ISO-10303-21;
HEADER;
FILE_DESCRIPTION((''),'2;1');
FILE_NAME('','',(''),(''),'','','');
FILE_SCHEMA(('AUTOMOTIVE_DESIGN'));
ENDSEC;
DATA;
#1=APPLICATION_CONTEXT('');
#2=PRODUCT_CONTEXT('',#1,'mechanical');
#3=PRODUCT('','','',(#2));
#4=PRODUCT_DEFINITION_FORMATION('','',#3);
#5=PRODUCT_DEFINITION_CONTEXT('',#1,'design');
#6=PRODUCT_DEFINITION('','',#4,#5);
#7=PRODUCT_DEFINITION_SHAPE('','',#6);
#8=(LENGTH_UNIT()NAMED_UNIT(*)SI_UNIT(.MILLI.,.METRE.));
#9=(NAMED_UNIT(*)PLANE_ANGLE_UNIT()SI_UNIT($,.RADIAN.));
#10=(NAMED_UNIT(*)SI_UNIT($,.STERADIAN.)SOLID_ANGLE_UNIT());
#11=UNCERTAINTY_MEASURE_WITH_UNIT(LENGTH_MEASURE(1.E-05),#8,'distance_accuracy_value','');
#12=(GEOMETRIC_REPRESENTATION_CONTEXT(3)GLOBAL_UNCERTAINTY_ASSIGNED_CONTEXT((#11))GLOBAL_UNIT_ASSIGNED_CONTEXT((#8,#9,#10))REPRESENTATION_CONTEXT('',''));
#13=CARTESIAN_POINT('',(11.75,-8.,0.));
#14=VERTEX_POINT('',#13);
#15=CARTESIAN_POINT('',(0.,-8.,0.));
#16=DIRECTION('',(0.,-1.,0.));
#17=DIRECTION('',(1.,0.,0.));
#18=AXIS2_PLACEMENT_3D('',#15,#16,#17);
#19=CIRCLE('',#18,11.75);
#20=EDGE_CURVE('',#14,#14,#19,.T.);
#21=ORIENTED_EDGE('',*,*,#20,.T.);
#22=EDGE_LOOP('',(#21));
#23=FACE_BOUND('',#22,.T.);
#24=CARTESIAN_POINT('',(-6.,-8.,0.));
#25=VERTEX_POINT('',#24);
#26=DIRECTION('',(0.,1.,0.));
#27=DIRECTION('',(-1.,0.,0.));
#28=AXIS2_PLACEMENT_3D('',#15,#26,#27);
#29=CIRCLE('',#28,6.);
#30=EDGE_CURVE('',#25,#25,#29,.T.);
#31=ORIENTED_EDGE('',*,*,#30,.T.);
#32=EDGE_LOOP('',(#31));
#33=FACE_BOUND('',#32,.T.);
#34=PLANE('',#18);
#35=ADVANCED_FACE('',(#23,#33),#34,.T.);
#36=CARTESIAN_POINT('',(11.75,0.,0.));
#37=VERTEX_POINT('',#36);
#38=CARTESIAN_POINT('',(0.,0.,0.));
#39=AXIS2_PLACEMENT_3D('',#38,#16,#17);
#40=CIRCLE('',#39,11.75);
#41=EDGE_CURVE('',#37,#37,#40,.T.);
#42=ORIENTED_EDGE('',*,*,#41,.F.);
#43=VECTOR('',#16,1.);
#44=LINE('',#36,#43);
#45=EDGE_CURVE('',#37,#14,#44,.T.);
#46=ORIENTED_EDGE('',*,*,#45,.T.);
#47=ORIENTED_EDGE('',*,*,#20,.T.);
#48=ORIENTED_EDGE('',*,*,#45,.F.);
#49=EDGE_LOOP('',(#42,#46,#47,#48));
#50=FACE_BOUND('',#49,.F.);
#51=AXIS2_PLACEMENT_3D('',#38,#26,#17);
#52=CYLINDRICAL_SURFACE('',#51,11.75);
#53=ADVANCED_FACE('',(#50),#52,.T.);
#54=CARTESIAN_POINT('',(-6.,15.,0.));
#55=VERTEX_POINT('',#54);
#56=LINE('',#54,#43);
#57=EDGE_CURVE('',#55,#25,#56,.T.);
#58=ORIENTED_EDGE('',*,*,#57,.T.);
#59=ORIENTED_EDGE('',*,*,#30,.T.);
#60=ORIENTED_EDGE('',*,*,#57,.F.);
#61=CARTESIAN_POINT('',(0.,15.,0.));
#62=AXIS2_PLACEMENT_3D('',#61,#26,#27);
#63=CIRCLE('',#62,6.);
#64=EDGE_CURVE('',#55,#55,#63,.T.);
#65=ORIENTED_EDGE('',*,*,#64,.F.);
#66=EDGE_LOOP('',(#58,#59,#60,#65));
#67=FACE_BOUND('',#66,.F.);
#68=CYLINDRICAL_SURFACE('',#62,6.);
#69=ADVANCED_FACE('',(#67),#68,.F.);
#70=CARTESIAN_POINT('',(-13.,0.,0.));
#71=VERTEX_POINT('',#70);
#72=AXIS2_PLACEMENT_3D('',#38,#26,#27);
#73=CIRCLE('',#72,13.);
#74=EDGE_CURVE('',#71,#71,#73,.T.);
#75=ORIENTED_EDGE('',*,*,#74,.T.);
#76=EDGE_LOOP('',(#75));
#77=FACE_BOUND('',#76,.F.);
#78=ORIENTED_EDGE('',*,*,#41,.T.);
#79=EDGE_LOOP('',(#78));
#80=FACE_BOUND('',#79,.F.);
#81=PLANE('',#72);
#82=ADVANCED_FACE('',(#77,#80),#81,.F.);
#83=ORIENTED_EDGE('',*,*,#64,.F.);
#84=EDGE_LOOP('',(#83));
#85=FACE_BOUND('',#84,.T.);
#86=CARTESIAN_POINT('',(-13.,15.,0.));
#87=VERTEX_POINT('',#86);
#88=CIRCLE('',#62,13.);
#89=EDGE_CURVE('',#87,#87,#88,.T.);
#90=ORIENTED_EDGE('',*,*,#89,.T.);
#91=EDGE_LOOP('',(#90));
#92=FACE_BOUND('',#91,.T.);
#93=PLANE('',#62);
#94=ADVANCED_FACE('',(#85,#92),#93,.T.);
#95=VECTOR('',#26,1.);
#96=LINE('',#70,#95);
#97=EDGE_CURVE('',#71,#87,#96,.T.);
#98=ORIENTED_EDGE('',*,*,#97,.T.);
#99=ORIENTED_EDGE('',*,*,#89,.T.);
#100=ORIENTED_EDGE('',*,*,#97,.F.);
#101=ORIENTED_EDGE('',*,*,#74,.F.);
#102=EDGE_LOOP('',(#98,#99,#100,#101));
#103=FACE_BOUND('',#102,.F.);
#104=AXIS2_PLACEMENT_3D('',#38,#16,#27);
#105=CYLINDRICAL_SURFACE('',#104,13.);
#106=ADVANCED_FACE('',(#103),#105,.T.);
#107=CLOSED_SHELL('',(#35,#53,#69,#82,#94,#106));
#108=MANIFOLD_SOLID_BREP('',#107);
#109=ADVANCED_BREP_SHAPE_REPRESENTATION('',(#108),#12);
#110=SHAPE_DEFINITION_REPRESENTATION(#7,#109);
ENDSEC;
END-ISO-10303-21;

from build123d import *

# Parameters (mm, degrees)
F0_R     = 11.75
F1_DEPTH = 8
F2_R     = 13
F3_DEPTH = 15
F4_R     = 6
F5_DEPTH = 25


with BuildPart() as f1:
    # F0 (on Front) → F1 (new body)
    with BuildSketch(Plane.XZ):
        Circle(F0_R)
    extrude(amount=F1_DEPTH)

    # F2 (on face) → F3 (join)
    with BuildSketch(Plane(origin=(0, 0, 0), x_dir=(-1, 0, 0), z_dir=(0, 1, 0))):
        Circle(F2_R)
    extrude(amount=F3_DEPTH)

    # F4 (on face) → F5 (cut)
    with BuildSketch(Plane(origin=(0, 15, 0), x_dir=(-1, 0, 0), z_dir=(0, 1, 0))):
        Circle(F4_R)
    extrude(amount=-F5_DEPTH, mode=Mode.SUBTRACT)


solid = f1.part
